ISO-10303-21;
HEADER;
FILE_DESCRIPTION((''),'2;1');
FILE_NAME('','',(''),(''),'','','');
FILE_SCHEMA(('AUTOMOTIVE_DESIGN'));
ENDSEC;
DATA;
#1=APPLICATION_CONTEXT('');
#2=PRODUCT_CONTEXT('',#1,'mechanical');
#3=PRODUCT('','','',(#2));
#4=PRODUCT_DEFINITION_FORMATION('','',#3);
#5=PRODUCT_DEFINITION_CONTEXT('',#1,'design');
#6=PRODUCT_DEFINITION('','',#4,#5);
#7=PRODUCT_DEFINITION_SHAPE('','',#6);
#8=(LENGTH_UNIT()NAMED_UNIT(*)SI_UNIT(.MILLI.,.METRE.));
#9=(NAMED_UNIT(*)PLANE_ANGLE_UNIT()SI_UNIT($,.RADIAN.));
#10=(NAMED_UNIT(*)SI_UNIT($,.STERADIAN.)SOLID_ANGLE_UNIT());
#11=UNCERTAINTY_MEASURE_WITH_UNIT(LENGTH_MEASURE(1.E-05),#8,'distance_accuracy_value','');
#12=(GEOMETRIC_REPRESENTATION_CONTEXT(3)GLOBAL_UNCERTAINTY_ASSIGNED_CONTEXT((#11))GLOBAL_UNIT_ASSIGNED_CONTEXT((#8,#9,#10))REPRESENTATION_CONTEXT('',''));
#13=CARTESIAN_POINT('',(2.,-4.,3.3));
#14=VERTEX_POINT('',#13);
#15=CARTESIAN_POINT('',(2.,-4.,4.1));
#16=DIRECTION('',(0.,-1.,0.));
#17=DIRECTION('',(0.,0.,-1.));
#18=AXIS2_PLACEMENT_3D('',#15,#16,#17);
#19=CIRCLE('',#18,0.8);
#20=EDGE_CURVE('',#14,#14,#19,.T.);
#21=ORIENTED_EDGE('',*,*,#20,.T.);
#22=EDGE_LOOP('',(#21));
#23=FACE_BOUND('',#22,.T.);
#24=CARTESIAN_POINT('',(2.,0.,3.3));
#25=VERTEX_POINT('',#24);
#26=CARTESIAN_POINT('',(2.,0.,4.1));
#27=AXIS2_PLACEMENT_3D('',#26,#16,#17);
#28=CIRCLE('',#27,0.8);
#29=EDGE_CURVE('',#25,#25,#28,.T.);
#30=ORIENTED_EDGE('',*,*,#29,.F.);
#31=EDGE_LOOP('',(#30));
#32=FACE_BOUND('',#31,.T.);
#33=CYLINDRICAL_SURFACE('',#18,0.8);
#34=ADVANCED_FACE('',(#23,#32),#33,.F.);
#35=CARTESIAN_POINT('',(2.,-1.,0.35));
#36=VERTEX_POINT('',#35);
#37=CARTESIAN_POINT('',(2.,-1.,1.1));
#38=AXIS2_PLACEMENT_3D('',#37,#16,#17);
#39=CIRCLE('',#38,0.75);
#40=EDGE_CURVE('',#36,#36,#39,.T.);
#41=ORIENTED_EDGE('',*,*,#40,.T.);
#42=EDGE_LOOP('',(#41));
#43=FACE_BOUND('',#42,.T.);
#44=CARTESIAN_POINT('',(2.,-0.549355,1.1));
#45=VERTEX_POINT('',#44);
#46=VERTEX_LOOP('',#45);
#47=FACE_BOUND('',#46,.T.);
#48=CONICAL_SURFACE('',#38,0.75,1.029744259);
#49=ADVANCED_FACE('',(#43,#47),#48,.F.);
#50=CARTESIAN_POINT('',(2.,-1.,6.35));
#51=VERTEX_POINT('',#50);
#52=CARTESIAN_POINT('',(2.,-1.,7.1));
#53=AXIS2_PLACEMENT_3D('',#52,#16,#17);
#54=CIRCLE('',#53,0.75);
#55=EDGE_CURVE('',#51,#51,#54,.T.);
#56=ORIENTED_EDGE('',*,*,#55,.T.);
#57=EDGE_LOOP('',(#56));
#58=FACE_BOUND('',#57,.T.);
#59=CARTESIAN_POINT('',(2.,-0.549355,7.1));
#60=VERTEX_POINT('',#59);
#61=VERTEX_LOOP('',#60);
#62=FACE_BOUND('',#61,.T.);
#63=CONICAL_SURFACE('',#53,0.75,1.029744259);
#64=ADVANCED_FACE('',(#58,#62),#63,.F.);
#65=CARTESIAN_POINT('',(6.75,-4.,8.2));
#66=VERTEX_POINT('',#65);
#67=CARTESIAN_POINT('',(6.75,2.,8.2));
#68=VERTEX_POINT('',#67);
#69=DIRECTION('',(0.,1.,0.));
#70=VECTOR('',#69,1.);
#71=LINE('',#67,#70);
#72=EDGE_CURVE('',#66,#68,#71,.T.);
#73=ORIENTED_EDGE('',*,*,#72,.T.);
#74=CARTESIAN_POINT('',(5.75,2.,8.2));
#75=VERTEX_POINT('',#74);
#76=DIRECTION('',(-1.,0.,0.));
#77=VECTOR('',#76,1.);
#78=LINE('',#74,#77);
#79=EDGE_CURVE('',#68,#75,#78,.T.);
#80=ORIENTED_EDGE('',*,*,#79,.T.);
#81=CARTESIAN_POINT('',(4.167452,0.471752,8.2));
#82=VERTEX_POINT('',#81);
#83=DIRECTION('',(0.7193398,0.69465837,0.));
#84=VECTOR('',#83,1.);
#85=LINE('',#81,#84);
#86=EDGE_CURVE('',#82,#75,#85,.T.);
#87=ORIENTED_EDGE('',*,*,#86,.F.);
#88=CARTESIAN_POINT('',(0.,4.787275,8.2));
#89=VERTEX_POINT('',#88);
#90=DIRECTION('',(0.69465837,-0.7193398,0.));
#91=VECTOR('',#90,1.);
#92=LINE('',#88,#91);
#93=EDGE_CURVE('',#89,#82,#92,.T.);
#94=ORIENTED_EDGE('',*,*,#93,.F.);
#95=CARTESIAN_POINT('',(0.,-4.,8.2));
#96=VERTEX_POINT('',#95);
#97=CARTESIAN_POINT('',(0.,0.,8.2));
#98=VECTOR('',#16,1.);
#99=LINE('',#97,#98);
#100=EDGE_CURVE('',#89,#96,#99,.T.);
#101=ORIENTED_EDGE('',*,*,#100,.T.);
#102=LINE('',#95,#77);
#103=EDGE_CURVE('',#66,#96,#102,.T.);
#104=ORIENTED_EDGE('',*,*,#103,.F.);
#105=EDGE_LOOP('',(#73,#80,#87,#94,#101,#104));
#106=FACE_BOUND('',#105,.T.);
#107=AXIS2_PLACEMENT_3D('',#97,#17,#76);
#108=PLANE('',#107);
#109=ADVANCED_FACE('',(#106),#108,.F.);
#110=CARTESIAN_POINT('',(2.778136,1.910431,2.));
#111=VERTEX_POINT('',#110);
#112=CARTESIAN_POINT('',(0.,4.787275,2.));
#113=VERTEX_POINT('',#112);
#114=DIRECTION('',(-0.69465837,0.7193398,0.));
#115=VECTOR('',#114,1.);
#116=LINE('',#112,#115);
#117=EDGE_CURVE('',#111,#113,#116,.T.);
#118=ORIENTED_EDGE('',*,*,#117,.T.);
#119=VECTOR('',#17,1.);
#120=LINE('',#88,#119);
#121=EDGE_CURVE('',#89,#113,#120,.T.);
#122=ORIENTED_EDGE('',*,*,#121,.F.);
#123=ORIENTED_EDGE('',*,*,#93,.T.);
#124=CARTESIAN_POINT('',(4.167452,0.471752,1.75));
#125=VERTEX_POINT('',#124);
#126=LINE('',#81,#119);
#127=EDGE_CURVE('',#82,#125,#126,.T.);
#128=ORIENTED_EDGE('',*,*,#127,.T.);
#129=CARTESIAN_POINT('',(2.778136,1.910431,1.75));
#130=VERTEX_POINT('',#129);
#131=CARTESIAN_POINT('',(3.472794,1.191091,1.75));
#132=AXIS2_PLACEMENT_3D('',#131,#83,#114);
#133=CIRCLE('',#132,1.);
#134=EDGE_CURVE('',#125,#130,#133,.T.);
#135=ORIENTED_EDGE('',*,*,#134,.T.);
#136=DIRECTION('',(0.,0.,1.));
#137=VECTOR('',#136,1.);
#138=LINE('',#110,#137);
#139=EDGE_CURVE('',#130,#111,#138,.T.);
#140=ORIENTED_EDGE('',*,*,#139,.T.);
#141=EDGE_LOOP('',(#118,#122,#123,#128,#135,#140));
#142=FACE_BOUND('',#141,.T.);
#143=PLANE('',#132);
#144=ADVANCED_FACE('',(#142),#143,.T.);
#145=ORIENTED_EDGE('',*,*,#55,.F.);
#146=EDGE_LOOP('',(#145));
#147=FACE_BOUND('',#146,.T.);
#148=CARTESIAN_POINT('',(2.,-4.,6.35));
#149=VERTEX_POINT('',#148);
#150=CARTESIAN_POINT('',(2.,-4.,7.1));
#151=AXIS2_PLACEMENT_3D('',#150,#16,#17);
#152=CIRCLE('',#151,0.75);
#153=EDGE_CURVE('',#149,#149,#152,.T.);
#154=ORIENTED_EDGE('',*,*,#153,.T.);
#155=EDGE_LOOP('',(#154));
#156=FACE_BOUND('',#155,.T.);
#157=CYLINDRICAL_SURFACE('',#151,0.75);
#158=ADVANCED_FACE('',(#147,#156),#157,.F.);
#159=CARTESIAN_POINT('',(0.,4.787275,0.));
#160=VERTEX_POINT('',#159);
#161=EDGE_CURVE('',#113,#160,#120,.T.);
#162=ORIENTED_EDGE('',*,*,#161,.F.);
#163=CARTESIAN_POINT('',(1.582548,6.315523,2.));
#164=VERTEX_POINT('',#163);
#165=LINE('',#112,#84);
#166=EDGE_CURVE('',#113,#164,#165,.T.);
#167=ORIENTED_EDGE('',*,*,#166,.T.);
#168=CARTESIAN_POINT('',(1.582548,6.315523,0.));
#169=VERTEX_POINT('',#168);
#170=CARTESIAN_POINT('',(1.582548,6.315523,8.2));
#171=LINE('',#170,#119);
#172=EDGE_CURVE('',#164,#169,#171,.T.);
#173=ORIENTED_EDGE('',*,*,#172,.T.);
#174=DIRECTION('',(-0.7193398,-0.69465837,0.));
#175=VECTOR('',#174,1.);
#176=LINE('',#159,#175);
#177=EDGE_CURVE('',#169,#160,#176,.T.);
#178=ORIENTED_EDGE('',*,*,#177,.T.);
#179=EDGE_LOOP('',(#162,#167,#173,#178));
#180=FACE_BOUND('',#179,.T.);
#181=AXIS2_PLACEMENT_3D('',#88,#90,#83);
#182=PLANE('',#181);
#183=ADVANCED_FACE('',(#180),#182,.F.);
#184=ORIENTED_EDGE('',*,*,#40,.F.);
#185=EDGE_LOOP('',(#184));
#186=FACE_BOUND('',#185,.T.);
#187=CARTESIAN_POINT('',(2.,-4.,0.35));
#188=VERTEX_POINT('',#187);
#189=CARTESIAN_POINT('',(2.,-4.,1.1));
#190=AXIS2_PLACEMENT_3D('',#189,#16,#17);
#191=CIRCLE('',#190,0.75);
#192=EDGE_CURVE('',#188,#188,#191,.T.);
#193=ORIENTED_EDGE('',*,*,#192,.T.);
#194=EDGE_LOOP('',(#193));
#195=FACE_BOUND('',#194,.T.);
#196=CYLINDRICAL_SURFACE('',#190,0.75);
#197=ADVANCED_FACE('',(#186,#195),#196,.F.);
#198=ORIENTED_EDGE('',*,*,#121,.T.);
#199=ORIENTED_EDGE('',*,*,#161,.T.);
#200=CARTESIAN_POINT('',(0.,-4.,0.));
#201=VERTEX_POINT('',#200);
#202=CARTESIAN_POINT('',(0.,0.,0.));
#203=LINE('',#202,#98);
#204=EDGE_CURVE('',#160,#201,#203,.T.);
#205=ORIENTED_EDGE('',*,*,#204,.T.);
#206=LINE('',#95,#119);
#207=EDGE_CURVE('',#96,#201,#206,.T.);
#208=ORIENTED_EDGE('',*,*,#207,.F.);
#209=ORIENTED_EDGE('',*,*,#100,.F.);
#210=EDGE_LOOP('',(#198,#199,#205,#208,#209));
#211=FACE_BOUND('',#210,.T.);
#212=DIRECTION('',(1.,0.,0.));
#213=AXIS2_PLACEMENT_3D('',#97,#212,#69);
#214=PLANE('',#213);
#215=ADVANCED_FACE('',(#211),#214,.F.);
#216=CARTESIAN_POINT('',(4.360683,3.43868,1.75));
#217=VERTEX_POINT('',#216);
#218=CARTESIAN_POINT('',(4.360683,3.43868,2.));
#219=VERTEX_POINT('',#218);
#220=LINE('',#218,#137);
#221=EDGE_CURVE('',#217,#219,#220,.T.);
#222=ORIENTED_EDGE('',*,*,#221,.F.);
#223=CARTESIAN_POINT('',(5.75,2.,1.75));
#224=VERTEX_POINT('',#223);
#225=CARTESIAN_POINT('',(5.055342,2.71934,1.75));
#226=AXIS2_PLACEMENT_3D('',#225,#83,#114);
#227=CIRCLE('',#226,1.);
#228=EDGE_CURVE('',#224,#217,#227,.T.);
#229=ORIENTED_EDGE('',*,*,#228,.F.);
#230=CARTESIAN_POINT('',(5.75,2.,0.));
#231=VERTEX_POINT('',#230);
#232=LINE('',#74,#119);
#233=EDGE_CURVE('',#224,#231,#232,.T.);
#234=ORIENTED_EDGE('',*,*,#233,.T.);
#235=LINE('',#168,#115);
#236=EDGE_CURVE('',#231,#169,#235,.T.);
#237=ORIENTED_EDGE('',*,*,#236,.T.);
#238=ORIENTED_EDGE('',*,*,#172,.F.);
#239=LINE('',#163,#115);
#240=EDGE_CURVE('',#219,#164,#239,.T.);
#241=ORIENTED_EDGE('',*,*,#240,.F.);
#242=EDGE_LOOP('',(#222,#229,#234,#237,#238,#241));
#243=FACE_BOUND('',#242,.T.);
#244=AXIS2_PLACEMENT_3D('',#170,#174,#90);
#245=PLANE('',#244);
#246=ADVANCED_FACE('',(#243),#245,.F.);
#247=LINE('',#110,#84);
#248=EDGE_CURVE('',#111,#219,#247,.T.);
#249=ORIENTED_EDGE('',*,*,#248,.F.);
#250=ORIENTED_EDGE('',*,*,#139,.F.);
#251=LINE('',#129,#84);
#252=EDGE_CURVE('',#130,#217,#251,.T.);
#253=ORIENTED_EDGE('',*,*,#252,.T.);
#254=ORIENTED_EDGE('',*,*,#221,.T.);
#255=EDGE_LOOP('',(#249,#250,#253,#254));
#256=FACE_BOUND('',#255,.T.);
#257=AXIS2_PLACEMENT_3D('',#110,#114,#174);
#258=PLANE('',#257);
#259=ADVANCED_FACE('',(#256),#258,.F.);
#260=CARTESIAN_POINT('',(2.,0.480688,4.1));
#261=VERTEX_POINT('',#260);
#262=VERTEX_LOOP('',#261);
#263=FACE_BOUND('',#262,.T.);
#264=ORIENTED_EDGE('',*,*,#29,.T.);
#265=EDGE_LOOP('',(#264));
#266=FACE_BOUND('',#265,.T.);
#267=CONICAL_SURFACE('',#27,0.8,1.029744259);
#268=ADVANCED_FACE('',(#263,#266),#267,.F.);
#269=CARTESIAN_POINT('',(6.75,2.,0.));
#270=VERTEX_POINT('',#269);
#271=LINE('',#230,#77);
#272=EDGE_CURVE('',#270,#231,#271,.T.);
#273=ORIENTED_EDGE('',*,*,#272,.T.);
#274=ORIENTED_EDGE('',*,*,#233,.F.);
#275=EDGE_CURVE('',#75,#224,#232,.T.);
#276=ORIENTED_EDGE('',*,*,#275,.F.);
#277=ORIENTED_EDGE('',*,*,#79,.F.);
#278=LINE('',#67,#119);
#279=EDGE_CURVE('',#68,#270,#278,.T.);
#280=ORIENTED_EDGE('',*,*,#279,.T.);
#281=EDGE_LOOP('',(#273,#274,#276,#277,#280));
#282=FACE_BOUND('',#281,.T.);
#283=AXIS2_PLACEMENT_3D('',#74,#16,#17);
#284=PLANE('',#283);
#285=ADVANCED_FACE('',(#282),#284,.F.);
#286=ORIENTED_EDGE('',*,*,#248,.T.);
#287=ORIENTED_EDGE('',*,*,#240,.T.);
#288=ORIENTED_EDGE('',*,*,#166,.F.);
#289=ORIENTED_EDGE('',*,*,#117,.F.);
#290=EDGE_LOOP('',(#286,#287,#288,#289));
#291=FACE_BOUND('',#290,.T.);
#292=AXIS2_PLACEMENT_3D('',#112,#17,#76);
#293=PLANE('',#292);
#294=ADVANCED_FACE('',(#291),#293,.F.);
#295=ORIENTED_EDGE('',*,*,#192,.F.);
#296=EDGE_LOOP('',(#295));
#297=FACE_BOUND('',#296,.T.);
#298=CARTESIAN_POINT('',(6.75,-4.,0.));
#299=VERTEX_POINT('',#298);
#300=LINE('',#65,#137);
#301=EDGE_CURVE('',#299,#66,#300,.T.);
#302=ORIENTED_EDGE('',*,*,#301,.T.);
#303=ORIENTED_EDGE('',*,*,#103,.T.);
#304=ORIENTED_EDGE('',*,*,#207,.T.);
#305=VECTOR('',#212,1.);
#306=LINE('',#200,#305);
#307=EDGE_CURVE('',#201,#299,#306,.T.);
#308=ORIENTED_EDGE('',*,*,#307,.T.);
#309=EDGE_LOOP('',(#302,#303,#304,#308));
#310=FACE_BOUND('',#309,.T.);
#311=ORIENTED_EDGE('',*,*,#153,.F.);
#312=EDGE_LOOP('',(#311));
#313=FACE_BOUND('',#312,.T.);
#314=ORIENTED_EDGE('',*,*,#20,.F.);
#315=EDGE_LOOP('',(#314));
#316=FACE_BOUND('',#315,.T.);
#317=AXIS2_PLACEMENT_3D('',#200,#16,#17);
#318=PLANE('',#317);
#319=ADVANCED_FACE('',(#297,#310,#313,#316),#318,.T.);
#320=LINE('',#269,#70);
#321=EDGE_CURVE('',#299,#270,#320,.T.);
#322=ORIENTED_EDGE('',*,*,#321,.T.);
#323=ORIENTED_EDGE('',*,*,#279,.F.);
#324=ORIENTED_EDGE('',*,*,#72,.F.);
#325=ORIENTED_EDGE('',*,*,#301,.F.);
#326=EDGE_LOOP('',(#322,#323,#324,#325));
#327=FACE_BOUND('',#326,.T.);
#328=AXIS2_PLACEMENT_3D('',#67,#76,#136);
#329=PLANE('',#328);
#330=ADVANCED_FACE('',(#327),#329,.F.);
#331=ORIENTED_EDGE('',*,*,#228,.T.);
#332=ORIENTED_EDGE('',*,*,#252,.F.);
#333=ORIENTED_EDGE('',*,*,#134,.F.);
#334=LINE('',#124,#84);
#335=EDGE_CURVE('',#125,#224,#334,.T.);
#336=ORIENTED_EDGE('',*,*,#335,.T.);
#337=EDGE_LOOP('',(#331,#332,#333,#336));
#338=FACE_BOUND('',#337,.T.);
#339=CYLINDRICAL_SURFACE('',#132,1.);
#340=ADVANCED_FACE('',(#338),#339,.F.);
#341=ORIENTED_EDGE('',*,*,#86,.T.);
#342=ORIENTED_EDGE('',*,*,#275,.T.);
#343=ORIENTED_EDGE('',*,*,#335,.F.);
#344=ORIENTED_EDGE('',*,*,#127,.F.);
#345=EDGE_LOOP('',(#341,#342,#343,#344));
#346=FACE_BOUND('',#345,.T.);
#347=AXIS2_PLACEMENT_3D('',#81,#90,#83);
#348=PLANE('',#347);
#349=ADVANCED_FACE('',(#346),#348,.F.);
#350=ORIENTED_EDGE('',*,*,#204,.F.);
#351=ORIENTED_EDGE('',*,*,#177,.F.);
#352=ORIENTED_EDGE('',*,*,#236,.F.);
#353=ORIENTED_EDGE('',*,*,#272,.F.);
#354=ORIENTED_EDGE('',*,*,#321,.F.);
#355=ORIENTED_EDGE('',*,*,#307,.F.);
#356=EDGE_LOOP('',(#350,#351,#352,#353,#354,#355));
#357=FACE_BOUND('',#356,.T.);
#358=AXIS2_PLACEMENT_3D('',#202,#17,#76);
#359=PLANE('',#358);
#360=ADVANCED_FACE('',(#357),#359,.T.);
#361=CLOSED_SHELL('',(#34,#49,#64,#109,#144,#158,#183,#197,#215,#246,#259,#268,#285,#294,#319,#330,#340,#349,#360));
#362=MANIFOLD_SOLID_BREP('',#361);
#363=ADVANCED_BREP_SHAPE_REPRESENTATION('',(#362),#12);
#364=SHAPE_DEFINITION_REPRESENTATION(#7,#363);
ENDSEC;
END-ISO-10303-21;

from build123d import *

# Parameters (mm, degrees)
BOSS_EXTRUDE1_DEPTH       = 8.2
CUT_EXTRUDE1_DEPTH        = 2.2
SKETCH3_W                 = 6.75
SKETCH3_H                 = 8.2
BOSS_EXTRUDE2_DEPTH       = 4
F_1_5MM_DOWEL_HOLE1_D     = 1.5
F_1_5MM_DOWEL_HOLE1_DEPTH = 3
F_1_5MM_DOWEL_HOLE1_TIP   = 0.450645464
M2X0_4_TAPPED_HOLE1_D     = 1.6
M2X0_4_TAPPED_HOLE1_DEPTH = 4
M2X0_4_TAPPED_HOLE1_TIP   = 0.480688495


with BuildPart() as part:
    # Sketch1 → Boss-Extrude1 (new body)
    with BuildSketch(Plane.XY):
        Polygon((0, 0), (0, 4.787274917), (1.582547561, 6.315523332), (5.75, 2), (6.75, 2), (6.75, 0), align=None)
    extrude(amount=BOSS_EXTRUDE1_DEPTH)

    # Sketch2 → Cut-Extrude1 (cut)
    with BuildSketch(Plane(origin=(3.97472688, 3.838349131, 0), x_dir=(0, 0, -1), z_dir=(0.7193398, 0.69465837, 0))):
        with BuildLine():
            Line((-8.2, 3.443677383), (-2, 3.443677383))
            Line((-2, 3.443677383), (-2, -0.555606029))
            Line((-2, -0.555606029), (-1.75, -0.555606029))
            ThreePointArc((-1.75, -0.555606029), (-0.75, -1.555606029), (-1.75, -2.555606029))
            Line((-1.75, -2.555606029), (-8.2, -2.555606029))
            Line((-8.2, -2.555606029), (-8.2, 3.443677383))
        make_face()
    extrude(amount=-CUT_EXTRUDE1_DEPTH, mode=Mode.SUBTRACT)

    # Sketch3 → Boss-Extrude2 (add)
    with BuildSketch(Plane.XZ):
        with Locations((3.375, 4.1)):
            Rectangle(SKETCH3_W, SKETCH3_H)
    extrude(amount=BOSS_EXTRUDE2_DEPTH)

    # Ø1.5mm Dowel Hole1
    with Locations(Plane(origin=(0, -4, 0), x_dir=(-1, 0, 0), z_dir=(0, -1, 0))):
        with Locations((-2, -7.1), (-2, -1.1)):
            Hole(F_1_5MM_DOWEL_HOLE1_D / 2, depth=F_1_5MM_DOWEL_HOLE1_DEPTH)
            with Locations((0, 0, -(F_1_5MM_DOWEL_HOLE1_DEPTH + F_1_5MM_DOWEL_HOLE1_TIP / 2))):  # 118° drill point
                Cone(0, F_1_5MM_DOWEL_HOLE1_D / 2, F_1_5MM_DOWEL_HOLE1_TIP, mode=Mode.SUBTRACT)

    # M2x0.4 Tapped Hole1
    with Locations(Plane(origin=(0, -4, 0), x_dir=(-1, 0, 0), z_dir=(0, -1, 0))):
        with Locations((-2, -4.1)):
            Hole(M2X0_4_TAPPED_HOLE1_D / 2, depth=M2X0_4_TAPPED_HOLE1_DEPTH)
            with Locations((0, 0, -(M2X0_4_TAPPED_HOLE1_DEPTH + M2X0_4_TAPPED_HOLE1_TIP / 2))):  # 118° drill point
                Cone(0, M2X0_4_TAPPED_HOLE1_D / 2, M2X0_4_TAPPED_HOLE1_TIP, mode=Mode.SUBTRACT)


solid = part.part
